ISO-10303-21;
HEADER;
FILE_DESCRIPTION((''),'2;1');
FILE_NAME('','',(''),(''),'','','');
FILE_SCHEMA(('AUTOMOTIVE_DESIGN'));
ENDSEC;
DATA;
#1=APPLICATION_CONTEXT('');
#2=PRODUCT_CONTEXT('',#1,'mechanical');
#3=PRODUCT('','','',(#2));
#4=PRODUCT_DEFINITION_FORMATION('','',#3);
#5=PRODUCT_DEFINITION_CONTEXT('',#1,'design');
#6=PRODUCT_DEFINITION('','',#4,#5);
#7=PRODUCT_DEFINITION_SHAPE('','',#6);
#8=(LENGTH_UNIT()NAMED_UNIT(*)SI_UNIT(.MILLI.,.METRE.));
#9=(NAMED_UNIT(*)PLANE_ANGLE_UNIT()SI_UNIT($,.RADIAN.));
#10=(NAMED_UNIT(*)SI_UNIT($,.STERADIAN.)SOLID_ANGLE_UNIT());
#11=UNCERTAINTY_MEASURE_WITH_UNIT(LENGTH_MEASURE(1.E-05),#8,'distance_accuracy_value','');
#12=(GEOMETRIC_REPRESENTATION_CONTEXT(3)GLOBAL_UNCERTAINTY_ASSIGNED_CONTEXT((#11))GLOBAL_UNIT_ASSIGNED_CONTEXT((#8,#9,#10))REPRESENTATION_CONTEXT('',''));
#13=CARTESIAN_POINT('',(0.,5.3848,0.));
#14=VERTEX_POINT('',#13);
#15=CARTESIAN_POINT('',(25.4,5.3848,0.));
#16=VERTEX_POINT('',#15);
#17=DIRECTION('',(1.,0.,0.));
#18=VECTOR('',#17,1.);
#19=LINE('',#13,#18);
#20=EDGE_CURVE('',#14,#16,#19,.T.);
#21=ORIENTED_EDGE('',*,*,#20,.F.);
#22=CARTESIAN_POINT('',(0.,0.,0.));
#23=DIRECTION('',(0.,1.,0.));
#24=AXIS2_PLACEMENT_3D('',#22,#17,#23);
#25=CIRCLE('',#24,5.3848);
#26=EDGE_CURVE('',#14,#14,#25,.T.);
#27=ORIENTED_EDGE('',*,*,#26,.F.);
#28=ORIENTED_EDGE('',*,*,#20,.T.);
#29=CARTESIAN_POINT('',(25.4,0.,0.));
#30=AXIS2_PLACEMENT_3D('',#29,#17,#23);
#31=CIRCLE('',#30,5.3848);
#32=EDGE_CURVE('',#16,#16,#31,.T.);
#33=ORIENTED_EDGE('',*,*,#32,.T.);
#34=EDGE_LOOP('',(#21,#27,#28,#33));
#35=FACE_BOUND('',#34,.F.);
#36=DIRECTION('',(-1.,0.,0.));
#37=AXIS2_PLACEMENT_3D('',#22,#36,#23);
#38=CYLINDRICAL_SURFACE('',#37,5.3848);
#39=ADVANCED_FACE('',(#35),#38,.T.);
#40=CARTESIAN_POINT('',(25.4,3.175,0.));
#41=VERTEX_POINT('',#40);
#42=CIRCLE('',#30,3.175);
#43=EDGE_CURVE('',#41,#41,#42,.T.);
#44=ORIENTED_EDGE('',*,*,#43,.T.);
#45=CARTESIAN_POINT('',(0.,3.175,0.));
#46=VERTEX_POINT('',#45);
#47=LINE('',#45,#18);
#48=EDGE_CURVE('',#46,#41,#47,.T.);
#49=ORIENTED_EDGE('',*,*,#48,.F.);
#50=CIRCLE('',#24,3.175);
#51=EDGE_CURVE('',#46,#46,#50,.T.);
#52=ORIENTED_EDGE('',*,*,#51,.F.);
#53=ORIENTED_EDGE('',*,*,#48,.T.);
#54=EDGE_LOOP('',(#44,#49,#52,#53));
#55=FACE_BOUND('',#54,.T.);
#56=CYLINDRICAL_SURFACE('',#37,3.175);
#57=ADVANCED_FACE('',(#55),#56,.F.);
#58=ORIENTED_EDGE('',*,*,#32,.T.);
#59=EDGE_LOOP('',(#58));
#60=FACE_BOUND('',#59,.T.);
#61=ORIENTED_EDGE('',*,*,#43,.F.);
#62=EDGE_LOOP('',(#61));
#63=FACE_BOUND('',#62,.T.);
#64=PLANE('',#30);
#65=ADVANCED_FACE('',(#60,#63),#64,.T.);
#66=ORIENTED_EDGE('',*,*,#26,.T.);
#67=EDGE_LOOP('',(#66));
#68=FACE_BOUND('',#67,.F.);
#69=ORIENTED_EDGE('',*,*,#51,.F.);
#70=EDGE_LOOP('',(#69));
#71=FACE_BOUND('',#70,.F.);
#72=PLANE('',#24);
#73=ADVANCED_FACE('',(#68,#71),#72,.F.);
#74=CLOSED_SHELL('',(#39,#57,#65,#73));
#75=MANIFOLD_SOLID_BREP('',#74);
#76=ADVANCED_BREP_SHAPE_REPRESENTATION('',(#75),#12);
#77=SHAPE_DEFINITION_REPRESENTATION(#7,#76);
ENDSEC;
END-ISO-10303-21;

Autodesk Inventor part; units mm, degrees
ref_plane "YZ Plane" through (0, 0, 0) normal (1, 0, 0) x (0, 1, 0)
ref_plane "XZ Plane" through (0, 0, 0) normal (0, 1, 0) x (-1, 0, 0)
ref_plane "XY Plane" through (0, 0, 0) normal (0, 0, 1) x (1, 0, 0)
sketch "Sketch1" plane through (0, 0, 0) normal (1, 0, 0) x (0, 1, 0)
  circle A0 centre (0, 0) radius 3.175
  circle A1 centre (0, 0) radius 5.3848
  dimension "d0" = 6.35
  dimension "d1" = 2.2098
extrude "Extrusion1" add sketch "Sketch1" along normal blind 25.4
properties part number "Standoff"
